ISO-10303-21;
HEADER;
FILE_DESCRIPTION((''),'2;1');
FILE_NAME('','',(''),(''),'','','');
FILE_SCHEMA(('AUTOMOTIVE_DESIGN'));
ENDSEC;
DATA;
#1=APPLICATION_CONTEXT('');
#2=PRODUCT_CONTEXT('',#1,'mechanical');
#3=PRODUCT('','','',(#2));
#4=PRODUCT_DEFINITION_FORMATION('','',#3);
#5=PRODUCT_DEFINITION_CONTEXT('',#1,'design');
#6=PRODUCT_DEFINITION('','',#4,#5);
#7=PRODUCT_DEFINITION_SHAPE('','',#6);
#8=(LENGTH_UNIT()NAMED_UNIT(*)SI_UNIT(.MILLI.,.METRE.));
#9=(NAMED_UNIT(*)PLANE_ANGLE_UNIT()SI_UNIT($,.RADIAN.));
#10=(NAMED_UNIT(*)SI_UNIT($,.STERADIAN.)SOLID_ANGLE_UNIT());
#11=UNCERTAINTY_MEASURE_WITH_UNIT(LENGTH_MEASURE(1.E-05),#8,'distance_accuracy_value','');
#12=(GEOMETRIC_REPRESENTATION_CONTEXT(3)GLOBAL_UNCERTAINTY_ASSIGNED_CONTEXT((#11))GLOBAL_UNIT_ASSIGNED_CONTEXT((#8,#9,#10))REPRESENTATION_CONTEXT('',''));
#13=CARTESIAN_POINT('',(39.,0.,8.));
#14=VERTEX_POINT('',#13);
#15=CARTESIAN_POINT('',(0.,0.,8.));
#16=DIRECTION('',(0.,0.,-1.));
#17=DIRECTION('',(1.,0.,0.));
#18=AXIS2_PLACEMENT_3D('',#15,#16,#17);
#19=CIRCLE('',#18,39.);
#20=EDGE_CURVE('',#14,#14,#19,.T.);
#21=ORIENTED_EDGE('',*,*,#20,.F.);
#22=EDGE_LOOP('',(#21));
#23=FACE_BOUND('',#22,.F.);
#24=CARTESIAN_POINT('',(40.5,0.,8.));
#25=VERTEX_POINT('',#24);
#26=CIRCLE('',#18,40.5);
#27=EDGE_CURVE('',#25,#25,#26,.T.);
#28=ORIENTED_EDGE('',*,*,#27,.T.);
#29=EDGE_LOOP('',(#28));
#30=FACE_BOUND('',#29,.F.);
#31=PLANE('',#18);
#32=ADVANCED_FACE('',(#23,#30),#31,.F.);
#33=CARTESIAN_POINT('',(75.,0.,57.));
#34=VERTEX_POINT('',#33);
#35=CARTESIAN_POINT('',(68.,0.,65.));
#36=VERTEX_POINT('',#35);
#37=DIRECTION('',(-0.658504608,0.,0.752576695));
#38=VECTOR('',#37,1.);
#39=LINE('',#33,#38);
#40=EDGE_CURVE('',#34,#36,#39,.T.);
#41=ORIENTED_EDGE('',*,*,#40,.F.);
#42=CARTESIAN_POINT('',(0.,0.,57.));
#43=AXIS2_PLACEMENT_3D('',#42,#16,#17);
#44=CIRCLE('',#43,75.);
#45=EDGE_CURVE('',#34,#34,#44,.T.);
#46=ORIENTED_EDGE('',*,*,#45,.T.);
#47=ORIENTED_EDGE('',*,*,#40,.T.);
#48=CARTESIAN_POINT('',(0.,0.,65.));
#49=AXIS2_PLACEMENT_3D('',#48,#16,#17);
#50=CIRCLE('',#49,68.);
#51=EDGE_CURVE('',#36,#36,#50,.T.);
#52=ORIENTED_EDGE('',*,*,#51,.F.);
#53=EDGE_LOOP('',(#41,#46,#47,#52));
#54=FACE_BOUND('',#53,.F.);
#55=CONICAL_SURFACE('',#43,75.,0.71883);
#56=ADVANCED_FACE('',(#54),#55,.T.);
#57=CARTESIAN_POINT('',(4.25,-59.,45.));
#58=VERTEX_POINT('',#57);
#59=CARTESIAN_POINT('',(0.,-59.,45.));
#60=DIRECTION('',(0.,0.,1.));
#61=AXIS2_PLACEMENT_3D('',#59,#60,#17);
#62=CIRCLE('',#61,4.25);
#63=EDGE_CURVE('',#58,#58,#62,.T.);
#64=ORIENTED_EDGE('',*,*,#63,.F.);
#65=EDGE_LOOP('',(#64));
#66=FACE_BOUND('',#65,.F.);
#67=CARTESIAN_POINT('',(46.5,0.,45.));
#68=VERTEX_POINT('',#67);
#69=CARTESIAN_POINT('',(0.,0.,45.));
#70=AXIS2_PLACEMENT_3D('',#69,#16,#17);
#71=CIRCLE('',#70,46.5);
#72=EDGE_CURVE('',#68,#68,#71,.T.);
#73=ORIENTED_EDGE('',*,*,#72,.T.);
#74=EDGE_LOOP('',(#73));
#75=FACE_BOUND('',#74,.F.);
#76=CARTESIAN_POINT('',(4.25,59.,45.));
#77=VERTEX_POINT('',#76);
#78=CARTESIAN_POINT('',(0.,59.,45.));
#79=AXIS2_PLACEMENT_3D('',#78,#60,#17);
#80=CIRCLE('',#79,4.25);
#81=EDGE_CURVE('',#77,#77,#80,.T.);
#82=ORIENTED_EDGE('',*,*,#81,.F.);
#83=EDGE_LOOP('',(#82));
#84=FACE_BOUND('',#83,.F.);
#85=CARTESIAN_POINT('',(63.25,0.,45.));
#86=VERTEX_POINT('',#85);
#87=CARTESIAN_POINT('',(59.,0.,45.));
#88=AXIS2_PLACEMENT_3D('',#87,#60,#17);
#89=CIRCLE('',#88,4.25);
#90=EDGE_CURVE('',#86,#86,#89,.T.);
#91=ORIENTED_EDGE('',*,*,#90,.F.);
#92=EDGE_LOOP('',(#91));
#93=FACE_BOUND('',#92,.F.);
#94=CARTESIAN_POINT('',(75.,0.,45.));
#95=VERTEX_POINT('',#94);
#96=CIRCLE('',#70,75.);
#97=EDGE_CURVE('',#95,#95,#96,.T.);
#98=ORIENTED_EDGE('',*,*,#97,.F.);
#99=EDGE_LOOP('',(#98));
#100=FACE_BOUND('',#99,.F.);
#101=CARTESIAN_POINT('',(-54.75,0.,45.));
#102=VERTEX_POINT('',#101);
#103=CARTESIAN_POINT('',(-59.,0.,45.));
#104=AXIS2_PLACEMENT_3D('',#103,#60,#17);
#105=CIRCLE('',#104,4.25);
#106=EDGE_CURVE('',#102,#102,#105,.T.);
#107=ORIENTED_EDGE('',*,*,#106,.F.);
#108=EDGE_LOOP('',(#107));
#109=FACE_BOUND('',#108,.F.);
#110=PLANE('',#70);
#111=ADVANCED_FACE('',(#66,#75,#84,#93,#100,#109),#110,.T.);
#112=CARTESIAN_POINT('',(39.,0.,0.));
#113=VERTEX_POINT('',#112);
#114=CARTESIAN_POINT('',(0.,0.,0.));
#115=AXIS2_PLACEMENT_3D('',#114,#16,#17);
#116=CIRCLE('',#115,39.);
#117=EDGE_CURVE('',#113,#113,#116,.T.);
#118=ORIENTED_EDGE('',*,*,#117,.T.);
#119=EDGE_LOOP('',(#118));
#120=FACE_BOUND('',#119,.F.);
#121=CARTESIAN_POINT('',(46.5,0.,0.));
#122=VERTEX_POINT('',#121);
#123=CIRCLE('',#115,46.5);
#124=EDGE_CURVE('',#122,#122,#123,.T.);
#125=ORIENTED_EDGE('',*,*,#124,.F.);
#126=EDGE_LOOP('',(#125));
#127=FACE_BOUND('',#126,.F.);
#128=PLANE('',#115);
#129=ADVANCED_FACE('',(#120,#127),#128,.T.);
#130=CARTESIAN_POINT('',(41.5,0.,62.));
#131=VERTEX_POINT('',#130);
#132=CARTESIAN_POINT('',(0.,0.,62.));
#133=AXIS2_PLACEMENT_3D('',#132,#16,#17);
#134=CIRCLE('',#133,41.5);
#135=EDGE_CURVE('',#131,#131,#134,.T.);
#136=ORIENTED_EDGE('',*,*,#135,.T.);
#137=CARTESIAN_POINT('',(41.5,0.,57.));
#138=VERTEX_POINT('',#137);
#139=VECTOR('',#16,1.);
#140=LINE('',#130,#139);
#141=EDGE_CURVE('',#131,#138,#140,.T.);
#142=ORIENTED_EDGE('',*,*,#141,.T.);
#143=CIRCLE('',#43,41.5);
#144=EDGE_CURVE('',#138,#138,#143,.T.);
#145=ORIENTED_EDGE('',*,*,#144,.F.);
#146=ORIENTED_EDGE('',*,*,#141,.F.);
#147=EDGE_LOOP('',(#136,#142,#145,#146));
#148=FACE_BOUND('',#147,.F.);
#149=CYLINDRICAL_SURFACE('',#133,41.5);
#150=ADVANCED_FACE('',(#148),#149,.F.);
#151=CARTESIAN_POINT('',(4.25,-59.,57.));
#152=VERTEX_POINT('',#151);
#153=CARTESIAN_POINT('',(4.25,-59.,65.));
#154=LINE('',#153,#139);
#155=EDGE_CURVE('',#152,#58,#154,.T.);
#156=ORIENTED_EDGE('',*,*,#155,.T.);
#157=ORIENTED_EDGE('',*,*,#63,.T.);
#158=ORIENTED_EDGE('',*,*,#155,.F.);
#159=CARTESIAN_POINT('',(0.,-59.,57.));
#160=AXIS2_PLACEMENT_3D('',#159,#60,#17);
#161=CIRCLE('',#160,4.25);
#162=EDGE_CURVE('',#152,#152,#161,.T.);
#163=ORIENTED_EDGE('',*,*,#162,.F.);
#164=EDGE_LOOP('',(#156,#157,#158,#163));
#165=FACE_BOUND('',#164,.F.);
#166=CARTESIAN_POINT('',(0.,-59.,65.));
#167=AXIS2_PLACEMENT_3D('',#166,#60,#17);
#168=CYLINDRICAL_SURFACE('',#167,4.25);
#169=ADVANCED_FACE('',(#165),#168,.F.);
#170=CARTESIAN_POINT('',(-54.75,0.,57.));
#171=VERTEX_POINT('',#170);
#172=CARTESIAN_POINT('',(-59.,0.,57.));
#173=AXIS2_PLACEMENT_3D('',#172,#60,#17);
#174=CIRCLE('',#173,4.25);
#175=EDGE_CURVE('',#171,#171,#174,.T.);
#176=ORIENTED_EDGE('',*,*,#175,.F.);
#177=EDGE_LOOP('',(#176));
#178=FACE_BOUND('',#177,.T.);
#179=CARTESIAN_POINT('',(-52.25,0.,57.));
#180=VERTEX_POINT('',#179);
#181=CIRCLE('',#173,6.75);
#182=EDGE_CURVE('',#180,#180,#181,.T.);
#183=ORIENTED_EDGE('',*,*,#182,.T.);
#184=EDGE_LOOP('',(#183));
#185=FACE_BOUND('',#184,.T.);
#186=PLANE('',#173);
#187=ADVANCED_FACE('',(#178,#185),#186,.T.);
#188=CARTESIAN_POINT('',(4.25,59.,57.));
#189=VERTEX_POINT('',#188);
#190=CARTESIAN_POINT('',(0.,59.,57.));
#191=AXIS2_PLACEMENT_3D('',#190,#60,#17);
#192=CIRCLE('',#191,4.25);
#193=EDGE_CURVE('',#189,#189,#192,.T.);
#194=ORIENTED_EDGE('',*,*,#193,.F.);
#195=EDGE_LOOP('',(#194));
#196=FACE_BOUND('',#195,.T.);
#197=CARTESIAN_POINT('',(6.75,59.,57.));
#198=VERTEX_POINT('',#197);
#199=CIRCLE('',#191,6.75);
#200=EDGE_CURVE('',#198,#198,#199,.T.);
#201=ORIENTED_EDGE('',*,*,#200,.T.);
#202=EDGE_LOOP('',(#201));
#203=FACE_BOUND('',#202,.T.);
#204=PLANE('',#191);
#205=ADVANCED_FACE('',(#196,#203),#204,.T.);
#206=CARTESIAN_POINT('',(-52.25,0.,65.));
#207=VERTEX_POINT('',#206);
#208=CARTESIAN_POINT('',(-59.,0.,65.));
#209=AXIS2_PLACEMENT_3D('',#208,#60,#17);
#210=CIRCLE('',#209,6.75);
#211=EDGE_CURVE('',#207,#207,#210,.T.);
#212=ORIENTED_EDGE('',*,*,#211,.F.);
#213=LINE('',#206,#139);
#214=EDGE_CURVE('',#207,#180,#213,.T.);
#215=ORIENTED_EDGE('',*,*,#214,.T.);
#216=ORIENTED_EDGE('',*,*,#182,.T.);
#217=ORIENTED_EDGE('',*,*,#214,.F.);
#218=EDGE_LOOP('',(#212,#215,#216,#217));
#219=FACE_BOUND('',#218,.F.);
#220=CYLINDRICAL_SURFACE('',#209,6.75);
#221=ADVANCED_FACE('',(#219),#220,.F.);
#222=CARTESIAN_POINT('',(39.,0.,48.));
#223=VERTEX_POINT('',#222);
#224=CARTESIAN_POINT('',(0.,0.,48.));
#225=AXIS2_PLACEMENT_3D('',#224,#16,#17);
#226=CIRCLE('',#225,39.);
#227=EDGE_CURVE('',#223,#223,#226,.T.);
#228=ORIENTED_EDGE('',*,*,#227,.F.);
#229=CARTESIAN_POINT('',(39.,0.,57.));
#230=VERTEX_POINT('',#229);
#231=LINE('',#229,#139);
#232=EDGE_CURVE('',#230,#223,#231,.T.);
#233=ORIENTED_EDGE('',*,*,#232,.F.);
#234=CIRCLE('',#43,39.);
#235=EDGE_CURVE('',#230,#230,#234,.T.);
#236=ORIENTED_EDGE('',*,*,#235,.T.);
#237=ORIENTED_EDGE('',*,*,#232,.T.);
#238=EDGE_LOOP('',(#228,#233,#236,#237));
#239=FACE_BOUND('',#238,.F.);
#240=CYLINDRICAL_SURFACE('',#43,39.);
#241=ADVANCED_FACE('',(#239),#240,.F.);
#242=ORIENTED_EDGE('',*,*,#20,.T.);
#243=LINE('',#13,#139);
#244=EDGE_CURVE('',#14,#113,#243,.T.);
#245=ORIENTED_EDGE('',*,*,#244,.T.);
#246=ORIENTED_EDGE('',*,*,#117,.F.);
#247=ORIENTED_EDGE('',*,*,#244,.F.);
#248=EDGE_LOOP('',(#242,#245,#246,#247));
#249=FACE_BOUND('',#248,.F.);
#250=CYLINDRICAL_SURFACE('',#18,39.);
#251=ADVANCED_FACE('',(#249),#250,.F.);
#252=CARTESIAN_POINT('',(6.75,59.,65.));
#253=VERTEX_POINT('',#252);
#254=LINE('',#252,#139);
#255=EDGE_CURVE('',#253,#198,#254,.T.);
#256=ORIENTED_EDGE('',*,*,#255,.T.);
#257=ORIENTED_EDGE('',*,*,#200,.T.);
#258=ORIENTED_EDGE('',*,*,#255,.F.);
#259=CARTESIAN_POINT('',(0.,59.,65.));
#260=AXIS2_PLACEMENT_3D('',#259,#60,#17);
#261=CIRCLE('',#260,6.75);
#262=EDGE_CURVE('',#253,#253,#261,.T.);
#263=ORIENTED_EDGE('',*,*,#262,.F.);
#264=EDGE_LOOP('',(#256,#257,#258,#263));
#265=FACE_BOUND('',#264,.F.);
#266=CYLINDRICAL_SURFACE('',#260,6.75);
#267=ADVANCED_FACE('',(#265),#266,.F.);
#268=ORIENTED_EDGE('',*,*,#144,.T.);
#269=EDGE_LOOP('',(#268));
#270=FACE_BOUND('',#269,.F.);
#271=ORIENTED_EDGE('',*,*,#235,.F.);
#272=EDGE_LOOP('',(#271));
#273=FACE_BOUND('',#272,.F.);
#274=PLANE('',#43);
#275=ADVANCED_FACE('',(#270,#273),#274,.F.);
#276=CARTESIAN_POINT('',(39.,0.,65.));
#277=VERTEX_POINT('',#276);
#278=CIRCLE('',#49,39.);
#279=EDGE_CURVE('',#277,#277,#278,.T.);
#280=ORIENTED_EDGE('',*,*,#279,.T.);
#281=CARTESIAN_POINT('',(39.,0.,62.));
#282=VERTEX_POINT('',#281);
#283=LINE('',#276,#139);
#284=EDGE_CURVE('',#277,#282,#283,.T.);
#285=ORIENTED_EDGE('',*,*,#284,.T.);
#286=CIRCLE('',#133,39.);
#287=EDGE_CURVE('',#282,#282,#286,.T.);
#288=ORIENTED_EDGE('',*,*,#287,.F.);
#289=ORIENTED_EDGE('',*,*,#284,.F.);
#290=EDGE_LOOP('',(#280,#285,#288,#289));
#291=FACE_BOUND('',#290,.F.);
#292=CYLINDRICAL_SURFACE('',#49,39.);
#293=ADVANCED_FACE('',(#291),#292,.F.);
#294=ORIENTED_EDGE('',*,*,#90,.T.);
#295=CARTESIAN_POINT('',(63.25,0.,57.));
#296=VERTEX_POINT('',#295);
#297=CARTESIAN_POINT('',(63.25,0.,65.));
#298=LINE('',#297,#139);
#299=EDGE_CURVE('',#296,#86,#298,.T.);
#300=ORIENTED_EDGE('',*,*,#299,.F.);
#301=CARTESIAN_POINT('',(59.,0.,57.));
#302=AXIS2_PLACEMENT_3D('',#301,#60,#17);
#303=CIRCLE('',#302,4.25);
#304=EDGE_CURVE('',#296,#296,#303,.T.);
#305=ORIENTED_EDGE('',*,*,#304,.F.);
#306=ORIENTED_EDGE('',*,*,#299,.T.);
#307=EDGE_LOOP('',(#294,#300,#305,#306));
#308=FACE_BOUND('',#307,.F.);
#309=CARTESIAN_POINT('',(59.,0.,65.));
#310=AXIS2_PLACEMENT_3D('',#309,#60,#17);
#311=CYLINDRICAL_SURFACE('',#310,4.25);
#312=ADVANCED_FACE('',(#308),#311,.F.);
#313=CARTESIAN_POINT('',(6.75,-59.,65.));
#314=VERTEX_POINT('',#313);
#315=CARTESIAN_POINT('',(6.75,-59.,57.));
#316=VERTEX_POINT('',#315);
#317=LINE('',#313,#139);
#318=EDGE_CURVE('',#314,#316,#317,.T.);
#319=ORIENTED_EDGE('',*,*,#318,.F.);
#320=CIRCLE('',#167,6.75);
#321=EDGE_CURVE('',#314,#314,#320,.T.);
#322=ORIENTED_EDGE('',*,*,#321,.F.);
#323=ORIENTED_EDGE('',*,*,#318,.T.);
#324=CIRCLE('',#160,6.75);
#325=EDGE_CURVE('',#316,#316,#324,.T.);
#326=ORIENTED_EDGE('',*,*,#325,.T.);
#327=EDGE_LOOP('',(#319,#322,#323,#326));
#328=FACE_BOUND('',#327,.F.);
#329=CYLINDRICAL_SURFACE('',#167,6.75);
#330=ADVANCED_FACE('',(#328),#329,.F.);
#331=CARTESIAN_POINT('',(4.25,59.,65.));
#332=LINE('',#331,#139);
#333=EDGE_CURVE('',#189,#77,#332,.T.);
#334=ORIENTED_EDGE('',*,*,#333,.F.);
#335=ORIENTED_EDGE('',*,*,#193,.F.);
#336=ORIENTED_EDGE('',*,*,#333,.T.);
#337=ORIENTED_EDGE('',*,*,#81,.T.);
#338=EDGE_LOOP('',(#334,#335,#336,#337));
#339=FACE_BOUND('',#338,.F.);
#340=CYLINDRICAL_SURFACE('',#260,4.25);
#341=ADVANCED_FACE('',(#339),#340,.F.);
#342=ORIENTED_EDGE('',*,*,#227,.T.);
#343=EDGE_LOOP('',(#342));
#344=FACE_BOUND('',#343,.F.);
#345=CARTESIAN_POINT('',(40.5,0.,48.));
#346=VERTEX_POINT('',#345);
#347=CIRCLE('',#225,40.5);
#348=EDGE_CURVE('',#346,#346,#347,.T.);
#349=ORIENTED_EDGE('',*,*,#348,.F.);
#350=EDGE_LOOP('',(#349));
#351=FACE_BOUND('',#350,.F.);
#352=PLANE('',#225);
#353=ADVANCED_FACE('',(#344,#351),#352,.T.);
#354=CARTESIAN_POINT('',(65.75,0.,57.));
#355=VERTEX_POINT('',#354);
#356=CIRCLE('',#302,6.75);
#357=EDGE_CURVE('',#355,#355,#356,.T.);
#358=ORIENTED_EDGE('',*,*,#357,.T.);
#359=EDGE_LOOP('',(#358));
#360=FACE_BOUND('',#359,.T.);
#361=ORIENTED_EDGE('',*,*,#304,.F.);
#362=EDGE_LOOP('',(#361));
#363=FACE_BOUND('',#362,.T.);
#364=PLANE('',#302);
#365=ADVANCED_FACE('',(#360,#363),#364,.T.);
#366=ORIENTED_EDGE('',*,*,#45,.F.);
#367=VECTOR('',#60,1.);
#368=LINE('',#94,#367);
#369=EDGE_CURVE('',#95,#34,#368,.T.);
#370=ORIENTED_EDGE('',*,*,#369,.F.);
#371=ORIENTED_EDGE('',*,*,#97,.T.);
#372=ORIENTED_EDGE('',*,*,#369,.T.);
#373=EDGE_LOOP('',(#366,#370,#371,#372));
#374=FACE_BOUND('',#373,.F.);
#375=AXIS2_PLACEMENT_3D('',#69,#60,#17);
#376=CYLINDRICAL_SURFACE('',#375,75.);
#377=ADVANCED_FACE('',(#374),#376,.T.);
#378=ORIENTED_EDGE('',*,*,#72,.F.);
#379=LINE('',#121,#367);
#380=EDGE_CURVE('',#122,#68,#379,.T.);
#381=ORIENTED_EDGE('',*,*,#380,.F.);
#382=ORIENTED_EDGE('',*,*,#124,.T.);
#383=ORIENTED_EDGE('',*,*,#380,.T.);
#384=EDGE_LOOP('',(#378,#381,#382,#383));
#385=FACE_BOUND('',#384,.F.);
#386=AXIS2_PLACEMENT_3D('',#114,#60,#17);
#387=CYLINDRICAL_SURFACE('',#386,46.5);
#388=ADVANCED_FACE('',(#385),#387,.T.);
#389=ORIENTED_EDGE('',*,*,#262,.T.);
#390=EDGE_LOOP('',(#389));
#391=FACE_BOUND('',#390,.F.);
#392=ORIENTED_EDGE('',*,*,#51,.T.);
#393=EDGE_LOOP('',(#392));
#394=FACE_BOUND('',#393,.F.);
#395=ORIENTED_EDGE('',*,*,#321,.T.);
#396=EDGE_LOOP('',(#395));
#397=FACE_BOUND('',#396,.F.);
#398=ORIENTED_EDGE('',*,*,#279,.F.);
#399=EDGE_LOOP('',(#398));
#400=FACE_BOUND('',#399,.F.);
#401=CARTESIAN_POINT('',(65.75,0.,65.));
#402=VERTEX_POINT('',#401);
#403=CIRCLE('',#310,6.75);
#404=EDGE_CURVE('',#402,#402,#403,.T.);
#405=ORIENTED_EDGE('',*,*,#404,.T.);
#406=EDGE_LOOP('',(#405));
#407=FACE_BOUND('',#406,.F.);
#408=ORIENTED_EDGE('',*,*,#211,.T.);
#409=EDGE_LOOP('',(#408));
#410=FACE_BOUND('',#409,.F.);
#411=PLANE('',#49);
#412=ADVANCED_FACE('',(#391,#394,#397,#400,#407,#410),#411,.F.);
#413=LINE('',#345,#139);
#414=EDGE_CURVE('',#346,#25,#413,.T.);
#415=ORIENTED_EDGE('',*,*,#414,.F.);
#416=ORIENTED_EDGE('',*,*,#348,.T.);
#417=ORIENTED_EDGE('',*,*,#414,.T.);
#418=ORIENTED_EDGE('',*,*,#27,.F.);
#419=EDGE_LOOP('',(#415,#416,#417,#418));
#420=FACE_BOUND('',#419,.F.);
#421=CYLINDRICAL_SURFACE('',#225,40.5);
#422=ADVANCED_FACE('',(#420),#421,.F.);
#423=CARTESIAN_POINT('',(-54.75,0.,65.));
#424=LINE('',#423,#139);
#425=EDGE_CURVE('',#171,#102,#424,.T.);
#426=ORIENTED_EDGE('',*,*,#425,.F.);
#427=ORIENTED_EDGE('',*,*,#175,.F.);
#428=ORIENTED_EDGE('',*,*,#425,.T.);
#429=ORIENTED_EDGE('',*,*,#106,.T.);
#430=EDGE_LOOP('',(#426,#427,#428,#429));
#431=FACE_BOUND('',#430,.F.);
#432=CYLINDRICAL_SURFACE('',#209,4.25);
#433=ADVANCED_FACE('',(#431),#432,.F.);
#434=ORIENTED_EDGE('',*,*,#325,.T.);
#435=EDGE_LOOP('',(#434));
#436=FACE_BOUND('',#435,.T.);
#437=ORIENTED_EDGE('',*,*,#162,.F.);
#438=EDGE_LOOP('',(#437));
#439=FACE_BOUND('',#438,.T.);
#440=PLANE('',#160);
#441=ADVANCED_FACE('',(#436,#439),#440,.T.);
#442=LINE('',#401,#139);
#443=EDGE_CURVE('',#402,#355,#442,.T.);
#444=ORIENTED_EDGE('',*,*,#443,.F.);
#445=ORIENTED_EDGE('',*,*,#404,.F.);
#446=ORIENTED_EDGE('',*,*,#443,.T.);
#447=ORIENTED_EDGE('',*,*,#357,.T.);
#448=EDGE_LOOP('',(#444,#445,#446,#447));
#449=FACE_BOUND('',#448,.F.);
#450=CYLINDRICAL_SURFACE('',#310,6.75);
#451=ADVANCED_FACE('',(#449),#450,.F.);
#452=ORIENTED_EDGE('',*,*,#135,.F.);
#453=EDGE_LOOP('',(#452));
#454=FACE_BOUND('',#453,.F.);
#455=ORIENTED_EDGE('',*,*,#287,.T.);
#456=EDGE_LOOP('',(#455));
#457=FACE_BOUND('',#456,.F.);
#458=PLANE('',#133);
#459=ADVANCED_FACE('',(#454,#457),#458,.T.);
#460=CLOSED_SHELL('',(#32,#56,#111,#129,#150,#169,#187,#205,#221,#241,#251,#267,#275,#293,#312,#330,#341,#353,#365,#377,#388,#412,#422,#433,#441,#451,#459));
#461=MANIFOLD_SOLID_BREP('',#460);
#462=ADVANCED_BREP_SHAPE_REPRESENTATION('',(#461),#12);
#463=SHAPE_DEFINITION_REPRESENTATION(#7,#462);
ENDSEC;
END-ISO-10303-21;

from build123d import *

# Parameters (mm, degrees)
F4_R     = 4.25
F5_DEPTH = 25
F4_R_2   = 6.75
F6_DEPTH = 8
F7_DEPTH = 8
F8_DEPTH = 8


with BuildPart() as f1:
    # F0 (on Front) → F1 (revolve)
    with BuildSketch(Plane.XZ):
        Polygon((75, 57), (68, 65), (39, 65), (39, 62), (41.5, 62), (41.5, 57), (39, 57), (39, 48), (40.5, 48), (40.5, 8), (39, 8), (39, 0), (46.5, 0), (46.5, 45), (75, 45), align=None)
    revolve(axis=Axis((0, 0, 14.0173053369), (0, 0, -1)))

    # F4 (on offset) → F5 (cut)
    with BuildSketch(Plane.XY.offset(65)):
        with Locations((0, 59)):
            Circle(F4_R)
        with Locations((-59, 0)):
            Circle(F4_R)
        with Locations((0, -59)):
            Circle(F4_R)
        with Locations((59, 0)):
            Circle(F4_R)
    extrude(amount=-F5_DEPTH, mode=Mode.SUBTRACT)

    # F4 (on offset) → F6 (cut)
    with BuildSketch(Plane.XY.offset(65)):
        with Locations((0, 59)):
            Circle(F4_R_2)
        with Locations((0, 59)):
            Circle(F4_R, mode=Mode.SUBTRACT)
    extrude(amount=-F6_DEPTH, mode=Mode.SUBTRACT)

    # F4 (on offset) → F7 (cut)
    with BuildSketch(Plane.XY.offset(65)):
        with Locations((-59, 0)):
            Circle(F4_R_2)
        with Locations((-59, 0)):
            Circle(F4_R, mode=Mode.SUBTRACT)
        with Locations((59, 0)):
            Circle(F4_R_2)
        with Locations((59, 0)):
            Circle(F4_R, mode=Mode.SUBTRACT)
        with Locations((0, -59)):
            Circle(F4_R_2)
        with Locations((0, -59)):
            Circle(F4_R, mode=Mode.SUBTRACT)
    extrude(amount=-F7_DEPTH, mode=Mode.SUBTRACT)

    # F4 (on offset) → F8 (cut)
    with BuildSketch(Plane.XY.offset(65)):
        with Locations((0, -59)):
            Circle(F4_R_2)
        with Locations((0, -59)):
            Circle(F4_R, mode=Mode.SUBTRACT)
    extrude(amount=-F8_DEPTH, mode=Mode.SUBTRACT)


solid = f1.part
